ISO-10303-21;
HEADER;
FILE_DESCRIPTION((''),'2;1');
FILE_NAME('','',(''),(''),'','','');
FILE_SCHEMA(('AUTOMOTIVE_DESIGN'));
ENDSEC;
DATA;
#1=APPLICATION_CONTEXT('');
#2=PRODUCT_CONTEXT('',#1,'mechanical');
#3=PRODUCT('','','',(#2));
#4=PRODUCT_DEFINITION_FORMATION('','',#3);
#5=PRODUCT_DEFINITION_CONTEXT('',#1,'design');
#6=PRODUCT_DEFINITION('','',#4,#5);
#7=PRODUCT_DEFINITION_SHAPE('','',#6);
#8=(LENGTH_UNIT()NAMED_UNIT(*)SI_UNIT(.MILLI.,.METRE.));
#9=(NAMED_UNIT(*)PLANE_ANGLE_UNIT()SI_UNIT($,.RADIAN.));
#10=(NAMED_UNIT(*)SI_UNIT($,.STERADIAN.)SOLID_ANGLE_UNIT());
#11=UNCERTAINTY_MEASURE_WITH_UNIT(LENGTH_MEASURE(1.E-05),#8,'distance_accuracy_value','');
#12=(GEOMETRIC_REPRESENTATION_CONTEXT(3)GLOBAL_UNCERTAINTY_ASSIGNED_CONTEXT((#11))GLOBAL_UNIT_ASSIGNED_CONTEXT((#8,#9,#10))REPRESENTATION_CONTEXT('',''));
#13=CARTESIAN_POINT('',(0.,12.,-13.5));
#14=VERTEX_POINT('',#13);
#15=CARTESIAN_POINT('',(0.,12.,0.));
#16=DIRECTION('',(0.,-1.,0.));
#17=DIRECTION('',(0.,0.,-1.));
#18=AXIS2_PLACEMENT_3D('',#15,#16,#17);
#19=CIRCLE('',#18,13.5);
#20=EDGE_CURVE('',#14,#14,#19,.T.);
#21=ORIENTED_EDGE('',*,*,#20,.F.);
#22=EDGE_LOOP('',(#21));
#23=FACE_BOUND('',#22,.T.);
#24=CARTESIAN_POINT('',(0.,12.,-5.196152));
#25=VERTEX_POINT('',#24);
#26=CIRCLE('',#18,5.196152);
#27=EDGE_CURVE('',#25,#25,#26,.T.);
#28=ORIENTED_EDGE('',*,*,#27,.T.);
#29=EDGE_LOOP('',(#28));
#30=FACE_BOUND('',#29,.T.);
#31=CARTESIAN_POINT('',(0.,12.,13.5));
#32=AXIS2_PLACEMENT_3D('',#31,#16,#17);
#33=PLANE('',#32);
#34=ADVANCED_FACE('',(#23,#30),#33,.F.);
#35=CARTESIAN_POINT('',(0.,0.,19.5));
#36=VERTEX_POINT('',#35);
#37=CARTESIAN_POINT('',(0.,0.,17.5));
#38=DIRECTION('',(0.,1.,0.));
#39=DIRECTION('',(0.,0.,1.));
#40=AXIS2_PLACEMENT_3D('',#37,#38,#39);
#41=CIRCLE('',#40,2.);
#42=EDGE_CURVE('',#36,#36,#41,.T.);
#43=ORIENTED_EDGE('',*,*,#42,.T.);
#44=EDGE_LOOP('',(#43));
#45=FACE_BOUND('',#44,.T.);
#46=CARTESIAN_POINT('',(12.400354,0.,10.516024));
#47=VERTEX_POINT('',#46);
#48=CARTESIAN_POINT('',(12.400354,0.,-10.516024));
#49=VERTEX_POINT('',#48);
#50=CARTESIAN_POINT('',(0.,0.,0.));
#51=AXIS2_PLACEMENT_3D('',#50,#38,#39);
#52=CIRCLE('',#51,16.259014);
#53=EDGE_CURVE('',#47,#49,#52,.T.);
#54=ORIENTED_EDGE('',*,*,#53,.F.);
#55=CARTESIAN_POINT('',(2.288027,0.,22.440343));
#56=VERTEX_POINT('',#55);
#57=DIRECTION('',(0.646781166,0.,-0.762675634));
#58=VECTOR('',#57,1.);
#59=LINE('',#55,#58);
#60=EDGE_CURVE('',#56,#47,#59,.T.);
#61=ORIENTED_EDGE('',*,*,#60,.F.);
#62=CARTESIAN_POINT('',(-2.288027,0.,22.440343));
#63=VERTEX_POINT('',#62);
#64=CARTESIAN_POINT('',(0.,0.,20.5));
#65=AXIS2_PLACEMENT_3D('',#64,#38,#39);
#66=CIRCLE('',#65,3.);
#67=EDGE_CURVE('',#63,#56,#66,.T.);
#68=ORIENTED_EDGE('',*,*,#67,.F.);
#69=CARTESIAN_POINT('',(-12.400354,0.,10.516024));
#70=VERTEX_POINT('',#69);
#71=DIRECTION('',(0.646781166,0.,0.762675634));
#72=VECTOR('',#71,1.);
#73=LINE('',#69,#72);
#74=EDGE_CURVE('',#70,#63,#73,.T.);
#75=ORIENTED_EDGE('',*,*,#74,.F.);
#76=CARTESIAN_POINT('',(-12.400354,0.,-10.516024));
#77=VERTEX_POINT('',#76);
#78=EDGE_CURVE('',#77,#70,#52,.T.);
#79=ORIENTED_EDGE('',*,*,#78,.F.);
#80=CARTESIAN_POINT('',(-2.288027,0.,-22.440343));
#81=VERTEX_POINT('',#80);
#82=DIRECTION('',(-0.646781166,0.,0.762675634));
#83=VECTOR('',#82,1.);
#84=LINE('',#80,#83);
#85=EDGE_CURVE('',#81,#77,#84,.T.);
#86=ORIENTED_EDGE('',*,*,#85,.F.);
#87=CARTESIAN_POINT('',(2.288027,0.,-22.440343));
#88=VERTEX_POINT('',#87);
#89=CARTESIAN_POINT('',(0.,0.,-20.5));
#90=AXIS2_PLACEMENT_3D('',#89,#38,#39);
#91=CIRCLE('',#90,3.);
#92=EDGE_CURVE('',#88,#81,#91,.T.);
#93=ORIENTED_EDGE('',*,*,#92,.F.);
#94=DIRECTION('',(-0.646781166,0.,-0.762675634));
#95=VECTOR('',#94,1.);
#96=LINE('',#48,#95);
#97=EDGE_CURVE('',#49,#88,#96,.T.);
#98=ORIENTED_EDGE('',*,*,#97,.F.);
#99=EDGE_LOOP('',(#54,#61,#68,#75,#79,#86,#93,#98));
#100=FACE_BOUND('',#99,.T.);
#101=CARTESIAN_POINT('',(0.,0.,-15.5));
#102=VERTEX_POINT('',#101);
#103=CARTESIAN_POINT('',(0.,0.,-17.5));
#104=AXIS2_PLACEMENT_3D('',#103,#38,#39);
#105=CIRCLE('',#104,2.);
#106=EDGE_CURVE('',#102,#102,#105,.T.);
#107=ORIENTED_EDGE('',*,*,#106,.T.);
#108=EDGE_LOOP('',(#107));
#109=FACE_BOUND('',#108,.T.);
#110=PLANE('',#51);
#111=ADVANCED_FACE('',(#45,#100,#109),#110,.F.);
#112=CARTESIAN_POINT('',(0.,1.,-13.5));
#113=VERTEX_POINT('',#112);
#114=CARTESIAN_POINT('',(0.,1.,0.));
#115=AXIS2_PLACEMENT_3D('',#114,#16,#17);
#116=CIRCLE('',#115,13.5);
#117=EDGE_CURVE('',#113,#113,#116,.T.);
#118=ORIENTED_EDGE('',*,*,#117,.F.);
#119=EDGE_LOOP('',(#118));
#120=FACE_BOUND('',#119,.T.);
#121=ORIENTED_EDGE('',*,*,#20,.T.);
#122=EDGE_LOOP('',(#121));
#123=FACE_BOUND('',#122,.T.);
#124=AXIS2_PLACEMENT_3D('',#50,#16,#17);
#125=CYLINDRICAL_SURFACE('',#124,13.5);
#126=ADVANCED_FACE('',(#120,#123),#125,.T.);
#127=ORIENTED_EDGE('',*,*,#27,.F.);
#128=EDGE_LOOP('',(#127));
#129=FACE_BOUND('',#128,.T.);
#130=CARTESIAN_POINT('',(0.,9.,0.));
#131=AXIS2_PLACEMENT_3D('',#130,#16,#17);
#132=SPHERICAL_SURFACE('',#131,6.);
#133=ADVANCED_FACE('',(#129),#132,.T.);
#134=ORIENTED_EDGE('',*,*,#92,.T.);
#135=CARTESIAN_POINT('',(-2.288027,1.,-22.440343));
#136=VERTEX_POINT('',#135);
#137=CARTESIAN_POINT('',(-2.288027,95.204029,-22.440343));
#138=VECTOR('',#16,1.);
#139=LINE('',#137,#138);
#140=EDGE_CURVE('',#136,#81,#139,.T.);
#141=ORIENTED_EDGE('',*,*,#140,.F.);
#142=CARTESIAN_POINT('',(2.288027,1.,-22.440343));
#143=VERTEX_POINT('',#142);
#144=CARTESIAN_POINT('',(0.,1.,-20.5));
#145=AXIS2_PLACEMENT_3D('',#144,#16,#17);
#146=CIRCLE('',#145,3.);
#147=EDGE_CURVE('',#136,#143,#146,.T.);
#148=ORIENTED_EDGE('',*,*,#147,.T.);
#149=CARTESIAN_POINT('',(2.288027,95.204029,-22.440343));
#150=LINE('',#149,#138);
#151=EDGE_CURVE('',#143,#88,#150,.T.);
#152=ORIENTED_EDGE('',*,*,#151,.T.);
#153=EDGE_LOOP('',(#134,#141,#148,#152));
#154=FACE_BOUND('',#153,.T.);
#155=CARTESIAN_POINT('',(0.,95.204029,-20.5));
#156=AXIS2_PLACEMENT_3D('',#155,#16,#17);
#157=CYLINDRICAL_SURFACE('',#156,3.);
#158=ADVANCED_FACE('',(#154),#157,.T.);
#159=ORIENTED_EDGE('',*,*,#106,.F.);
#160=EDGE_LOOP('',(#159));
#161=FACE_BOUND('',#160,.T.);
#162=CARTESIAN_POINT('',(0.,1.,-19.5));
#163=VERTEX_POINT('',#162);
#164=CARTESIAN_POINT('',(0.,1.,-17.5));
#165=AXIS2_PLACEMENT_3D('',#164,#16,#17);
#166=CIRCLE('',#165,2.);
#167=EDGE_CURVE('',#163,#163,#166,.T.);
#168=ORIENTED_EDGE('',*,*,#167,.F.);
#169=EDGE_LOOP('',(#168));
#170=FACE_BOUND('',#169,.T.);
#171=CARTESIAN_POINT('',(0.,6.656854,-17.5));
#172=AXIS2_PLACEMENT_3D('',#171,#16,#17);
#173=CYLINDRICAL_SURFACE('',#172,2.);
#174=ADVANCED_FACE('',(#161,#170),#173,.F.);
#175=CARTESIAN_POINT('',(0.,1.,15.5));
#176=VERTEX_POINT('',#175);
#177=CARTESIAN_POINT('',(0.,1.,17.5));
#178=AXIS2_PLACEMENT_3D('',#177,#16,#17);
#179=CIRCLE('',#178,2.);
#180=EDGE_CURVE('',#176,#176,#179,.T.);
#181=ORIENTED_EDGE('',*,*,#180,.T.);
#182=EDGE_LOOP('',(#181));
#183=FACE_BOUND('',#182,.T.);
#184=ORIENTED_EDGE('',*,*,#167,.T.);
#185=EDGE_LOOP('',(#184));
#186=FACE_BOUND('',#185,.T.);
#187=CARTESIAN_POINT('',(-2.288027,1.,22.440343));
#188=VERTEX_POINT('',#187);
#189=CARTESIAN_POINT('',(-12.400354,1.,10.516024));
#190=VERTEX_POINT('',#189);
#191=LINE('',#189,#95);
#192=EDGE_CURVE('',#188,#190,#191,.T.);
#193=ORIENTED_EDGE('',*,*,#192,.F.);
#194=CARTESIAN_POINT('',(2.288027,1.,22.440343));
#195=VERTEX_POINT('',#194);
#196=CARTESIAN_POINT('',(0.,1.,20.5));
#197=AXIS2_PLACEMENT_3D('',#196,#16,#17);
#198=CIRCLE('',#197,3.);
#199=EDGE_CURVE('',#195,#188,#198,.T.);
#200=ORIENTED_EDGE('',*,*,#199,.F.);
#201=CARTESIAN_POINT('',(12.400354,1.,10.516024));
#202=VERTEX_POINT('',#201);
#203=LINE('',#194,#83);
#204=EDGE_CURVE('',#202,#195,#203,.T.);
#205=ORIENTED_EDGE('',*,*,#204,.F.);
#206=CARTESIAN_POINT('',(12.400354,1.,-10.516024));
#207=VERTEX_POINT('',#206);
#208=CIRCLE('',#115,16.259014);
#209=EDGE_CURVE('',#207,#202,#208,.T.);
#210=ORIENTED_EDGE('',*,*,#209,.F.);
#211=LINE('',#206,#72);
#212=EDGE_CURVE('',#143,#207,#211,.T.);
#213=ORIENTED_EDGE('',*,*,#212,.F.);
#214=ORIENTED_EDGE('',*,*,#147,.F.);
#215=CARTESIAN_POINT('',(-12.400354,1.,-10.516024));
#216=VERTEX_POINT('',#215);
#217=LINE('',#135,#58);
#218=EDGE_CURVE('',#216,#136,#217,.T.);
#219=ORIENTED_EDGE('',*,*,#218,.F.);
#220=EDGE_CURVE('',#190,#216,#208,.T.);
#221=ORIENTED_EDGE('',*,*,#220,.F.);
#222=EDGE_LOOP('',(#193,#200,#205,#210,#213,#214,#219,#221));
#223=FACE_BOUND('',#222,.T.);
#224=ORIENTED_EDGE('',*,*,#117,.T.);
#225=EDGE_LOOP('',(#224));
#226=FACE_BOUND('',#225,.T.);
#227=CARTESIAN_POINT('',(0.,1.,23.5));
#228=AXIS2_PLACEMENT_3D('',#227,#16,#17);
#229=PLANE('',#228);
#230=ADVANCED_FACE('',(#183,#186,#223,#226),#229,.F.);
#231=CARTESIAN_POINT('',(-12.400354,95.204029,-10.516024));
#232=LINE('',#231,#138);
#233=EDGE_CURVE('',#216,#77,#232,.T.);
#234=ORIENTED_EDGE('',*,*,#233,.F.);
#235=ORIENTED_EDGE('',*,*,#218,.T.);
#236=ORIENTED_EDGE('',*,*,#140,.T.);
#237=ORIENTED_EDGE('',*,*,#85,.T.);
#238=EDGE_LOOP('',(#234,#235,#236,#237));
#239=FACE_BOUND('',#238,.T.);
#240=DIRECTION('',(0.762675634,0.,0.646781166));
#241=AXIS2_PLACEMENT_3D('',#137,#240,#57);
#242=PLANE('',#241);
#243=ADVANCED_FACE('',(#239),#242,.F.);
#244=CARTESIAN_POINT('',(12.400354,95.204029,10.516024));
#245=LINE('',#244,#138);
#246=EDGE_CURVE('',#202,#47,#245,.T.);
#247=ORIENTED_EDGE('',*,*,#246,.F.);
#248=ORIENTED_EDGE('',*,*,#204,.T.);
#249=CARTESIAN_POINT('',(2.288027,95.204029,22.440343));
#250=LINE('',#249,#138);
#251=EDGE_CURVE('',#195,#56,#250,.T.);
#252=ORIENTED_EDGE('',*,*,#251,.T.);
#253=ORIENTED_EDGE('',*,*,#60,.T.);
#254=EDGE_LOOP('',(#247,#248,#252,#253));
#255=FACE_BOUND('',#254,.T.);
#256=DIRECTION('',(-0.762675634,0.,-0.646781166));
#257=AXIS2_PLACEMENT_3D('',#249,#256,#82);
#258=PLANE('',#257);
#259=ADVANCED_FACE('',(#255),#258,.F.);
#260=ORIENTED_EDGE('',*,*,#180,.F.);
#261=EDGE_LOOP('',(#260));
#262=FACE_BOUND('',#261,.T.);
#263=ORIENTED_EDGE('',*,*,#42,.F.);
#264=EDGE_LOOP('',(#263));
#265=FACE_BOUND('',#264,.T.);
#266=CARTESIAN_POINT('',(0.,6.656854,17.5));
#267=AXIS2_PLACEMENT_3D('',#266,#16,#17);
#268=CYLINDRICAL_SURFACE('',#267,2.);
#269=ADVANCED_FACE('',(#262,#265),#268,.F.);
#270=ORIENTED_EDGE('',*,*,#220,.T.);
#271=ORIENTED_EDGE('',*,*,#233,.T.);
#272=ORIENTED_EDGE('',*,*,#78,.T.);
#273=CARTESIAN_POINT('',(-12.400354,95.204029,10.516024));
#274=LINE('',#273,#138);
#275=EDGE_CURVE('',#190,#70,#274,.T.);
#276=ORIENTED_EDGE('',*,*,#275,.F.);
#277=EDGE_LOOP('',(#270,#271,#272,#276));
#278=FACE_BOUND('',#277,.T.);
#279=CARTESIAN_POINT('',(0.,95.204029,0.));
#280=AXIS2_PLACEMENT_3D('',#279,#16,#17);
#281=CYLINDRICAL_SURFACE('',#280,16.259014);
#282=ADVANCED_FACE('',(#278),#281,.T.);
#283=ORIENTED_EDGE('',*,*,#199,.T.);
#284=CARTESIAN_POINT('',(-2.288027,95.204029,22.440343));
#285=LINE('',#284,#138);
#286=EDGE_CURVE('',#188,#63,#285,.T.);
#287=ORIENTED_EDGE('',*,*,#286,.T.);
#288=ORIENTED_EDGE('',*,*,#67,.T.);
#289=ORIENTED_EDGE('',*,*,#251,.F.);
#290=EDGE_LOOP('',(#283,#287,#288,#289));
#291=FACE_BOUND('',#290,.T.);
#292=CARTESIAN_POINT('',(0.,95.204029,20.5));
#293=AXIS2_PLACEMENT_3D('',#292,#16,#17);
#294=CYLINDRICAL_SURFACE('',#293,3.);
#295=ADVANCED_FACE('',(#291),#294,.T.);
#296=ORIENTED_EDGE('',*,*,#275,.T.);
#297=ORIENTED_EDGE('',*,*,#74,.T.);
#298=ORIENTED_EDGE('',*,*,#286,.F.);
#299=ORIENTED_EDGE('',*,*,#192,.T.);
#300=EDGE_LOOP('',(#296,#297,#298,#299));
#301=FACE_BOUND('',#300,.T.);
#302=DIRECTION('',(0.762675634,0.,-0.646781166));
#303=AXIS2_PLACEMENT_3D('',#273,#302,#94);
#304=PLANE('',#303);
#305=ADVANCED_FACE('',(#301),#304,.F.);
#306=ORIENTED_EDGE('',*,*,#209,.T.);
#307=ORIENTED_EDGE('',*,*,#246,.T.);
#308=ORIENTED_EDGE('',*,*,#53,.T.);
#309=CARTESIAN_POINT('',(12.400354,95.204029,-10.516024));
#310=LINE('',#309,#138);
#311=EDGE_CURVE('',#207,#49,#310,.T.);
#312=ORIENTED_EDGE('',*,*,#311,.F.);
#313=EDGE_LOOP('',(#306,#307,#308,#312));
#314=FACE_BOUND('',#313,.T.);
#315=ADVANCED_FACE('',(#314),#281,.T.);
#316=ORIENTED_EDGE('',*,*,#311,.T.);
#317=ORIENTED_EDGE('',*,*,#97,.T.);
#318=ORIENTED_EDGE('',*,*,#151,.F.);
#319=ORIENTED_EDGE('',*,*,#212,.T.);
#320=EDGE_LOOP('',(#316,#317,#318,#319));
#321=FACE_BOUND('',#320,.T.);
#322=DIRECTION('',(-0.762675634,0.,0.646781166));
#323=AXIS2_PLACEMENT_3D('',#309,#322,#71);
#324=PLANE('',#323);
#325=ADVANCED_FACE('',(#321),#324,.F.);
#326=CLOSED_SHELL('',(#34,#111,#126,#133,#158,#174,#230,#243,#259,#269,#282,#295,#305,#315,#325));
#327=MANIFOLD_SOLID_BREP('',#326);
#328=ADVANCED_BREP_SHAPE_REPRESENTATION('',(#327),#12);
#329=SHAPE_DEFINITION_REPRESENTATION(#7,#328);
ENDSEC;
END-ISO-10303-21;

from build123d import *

# Parameters (mm, degrees)
SKETCH_3_R          = 2
CUT_EXTRUDE_4_DEPTH = 1
SKETCH_5_R          = 33.306153754
CUT_EXTRUDE_5_DEPTH = 1


with BuildPart() as part:
    # 草图1 → 旋转2 (revolve)
    with BuildSketch(Plane(origin=(0, 0, 0), x_dir=(0, 0, -1), z_dir=(1, 0, 0)), mode=Mode.PRIVATE) as revolve_2_sk:
        with BuildLine():
            Line((0, 0), (-23.5, 0))
            Line((-23.5, 0), (-23.5, 1))
            Line((-23.5, 1), (-13.5, 1))
            Line((-13.5, 1), (-13.5, 12))
            Line((-13.5, 12), (-5.196152423, 12))
            ThreePointArc((-5.196152423, 12), (-3, 14.196152423), (0, 15))
            Line((0, 15), (0, 9))
            Line((0, 9), (0, 0))
        make_face()
    revolve(revolve_2_sk.sketch.rotate(Axis((0, 0, 0), (0, 1, 0)), 180), axis=Axis((0, 0, 0), (0, 1, 0)))

    # 草图3 → 切除-拉伸4 (cut)
    with BuildSketch(Plane(origin=(0, 0, 0), x_dir=(1, 0, 0), z_dir=(0, 1, 0))):
        with Locations(Location((0, 17.5, 0), (0, 0, 90))):
            Circle(SKETCH_3_R)
        with Locations(Location((0, -17.5, 0), (0, 0, 90))):
            Circle(SKETCH_3_R)
    extrude(amount=CUT_EXTRUDE_4_DEPTH, mode=Mode.SUBTRACT)

    # 草图5 → 切除-拉伸5 (cut)
    with BuildSketch(Plane(origin=(0, 0, 0), x_dir=(1, 0, 0), z_dir=(0, 1, 0))):
        Circle(SKETCH_5_R)
        with BuildLine():
            Line((2.288026903, -22.440343498), (12.400353743, -10.516023969))
            ThreePointArc((12.400353743, -10.516023969), (16.259013902, 0), (12.400353743, 10.516023969))
            Line((12.400353743, 10.516023969), (2.288026903, 22.440343498))
            ThreePointArc((2.288026903, 22.440343498), (0, 23.5), (-2.288026903, 22.440343498))
            Line((-2.288026903, 22.440343498), (-12.400353743, 10.516023969))
            ThreePointArc((-12.400353743, 10.516023969), (-16.259013902, 0), (-12.400353743, -10.516023969))
            Line((-12.400353743, -10.516023969), (-2.288026903, -22.440343498))
            ThreePointArc((-2.288026903, -22.440343498), (0, -23.5), (2.288026903, -22.440343498))
        make_face(mode=Mode.SUBTRACT)
    extrude(amount=CUT_EXTRUDE_5_DEPTH, mode=Mode.SUBTRACT)


solid = part.part
